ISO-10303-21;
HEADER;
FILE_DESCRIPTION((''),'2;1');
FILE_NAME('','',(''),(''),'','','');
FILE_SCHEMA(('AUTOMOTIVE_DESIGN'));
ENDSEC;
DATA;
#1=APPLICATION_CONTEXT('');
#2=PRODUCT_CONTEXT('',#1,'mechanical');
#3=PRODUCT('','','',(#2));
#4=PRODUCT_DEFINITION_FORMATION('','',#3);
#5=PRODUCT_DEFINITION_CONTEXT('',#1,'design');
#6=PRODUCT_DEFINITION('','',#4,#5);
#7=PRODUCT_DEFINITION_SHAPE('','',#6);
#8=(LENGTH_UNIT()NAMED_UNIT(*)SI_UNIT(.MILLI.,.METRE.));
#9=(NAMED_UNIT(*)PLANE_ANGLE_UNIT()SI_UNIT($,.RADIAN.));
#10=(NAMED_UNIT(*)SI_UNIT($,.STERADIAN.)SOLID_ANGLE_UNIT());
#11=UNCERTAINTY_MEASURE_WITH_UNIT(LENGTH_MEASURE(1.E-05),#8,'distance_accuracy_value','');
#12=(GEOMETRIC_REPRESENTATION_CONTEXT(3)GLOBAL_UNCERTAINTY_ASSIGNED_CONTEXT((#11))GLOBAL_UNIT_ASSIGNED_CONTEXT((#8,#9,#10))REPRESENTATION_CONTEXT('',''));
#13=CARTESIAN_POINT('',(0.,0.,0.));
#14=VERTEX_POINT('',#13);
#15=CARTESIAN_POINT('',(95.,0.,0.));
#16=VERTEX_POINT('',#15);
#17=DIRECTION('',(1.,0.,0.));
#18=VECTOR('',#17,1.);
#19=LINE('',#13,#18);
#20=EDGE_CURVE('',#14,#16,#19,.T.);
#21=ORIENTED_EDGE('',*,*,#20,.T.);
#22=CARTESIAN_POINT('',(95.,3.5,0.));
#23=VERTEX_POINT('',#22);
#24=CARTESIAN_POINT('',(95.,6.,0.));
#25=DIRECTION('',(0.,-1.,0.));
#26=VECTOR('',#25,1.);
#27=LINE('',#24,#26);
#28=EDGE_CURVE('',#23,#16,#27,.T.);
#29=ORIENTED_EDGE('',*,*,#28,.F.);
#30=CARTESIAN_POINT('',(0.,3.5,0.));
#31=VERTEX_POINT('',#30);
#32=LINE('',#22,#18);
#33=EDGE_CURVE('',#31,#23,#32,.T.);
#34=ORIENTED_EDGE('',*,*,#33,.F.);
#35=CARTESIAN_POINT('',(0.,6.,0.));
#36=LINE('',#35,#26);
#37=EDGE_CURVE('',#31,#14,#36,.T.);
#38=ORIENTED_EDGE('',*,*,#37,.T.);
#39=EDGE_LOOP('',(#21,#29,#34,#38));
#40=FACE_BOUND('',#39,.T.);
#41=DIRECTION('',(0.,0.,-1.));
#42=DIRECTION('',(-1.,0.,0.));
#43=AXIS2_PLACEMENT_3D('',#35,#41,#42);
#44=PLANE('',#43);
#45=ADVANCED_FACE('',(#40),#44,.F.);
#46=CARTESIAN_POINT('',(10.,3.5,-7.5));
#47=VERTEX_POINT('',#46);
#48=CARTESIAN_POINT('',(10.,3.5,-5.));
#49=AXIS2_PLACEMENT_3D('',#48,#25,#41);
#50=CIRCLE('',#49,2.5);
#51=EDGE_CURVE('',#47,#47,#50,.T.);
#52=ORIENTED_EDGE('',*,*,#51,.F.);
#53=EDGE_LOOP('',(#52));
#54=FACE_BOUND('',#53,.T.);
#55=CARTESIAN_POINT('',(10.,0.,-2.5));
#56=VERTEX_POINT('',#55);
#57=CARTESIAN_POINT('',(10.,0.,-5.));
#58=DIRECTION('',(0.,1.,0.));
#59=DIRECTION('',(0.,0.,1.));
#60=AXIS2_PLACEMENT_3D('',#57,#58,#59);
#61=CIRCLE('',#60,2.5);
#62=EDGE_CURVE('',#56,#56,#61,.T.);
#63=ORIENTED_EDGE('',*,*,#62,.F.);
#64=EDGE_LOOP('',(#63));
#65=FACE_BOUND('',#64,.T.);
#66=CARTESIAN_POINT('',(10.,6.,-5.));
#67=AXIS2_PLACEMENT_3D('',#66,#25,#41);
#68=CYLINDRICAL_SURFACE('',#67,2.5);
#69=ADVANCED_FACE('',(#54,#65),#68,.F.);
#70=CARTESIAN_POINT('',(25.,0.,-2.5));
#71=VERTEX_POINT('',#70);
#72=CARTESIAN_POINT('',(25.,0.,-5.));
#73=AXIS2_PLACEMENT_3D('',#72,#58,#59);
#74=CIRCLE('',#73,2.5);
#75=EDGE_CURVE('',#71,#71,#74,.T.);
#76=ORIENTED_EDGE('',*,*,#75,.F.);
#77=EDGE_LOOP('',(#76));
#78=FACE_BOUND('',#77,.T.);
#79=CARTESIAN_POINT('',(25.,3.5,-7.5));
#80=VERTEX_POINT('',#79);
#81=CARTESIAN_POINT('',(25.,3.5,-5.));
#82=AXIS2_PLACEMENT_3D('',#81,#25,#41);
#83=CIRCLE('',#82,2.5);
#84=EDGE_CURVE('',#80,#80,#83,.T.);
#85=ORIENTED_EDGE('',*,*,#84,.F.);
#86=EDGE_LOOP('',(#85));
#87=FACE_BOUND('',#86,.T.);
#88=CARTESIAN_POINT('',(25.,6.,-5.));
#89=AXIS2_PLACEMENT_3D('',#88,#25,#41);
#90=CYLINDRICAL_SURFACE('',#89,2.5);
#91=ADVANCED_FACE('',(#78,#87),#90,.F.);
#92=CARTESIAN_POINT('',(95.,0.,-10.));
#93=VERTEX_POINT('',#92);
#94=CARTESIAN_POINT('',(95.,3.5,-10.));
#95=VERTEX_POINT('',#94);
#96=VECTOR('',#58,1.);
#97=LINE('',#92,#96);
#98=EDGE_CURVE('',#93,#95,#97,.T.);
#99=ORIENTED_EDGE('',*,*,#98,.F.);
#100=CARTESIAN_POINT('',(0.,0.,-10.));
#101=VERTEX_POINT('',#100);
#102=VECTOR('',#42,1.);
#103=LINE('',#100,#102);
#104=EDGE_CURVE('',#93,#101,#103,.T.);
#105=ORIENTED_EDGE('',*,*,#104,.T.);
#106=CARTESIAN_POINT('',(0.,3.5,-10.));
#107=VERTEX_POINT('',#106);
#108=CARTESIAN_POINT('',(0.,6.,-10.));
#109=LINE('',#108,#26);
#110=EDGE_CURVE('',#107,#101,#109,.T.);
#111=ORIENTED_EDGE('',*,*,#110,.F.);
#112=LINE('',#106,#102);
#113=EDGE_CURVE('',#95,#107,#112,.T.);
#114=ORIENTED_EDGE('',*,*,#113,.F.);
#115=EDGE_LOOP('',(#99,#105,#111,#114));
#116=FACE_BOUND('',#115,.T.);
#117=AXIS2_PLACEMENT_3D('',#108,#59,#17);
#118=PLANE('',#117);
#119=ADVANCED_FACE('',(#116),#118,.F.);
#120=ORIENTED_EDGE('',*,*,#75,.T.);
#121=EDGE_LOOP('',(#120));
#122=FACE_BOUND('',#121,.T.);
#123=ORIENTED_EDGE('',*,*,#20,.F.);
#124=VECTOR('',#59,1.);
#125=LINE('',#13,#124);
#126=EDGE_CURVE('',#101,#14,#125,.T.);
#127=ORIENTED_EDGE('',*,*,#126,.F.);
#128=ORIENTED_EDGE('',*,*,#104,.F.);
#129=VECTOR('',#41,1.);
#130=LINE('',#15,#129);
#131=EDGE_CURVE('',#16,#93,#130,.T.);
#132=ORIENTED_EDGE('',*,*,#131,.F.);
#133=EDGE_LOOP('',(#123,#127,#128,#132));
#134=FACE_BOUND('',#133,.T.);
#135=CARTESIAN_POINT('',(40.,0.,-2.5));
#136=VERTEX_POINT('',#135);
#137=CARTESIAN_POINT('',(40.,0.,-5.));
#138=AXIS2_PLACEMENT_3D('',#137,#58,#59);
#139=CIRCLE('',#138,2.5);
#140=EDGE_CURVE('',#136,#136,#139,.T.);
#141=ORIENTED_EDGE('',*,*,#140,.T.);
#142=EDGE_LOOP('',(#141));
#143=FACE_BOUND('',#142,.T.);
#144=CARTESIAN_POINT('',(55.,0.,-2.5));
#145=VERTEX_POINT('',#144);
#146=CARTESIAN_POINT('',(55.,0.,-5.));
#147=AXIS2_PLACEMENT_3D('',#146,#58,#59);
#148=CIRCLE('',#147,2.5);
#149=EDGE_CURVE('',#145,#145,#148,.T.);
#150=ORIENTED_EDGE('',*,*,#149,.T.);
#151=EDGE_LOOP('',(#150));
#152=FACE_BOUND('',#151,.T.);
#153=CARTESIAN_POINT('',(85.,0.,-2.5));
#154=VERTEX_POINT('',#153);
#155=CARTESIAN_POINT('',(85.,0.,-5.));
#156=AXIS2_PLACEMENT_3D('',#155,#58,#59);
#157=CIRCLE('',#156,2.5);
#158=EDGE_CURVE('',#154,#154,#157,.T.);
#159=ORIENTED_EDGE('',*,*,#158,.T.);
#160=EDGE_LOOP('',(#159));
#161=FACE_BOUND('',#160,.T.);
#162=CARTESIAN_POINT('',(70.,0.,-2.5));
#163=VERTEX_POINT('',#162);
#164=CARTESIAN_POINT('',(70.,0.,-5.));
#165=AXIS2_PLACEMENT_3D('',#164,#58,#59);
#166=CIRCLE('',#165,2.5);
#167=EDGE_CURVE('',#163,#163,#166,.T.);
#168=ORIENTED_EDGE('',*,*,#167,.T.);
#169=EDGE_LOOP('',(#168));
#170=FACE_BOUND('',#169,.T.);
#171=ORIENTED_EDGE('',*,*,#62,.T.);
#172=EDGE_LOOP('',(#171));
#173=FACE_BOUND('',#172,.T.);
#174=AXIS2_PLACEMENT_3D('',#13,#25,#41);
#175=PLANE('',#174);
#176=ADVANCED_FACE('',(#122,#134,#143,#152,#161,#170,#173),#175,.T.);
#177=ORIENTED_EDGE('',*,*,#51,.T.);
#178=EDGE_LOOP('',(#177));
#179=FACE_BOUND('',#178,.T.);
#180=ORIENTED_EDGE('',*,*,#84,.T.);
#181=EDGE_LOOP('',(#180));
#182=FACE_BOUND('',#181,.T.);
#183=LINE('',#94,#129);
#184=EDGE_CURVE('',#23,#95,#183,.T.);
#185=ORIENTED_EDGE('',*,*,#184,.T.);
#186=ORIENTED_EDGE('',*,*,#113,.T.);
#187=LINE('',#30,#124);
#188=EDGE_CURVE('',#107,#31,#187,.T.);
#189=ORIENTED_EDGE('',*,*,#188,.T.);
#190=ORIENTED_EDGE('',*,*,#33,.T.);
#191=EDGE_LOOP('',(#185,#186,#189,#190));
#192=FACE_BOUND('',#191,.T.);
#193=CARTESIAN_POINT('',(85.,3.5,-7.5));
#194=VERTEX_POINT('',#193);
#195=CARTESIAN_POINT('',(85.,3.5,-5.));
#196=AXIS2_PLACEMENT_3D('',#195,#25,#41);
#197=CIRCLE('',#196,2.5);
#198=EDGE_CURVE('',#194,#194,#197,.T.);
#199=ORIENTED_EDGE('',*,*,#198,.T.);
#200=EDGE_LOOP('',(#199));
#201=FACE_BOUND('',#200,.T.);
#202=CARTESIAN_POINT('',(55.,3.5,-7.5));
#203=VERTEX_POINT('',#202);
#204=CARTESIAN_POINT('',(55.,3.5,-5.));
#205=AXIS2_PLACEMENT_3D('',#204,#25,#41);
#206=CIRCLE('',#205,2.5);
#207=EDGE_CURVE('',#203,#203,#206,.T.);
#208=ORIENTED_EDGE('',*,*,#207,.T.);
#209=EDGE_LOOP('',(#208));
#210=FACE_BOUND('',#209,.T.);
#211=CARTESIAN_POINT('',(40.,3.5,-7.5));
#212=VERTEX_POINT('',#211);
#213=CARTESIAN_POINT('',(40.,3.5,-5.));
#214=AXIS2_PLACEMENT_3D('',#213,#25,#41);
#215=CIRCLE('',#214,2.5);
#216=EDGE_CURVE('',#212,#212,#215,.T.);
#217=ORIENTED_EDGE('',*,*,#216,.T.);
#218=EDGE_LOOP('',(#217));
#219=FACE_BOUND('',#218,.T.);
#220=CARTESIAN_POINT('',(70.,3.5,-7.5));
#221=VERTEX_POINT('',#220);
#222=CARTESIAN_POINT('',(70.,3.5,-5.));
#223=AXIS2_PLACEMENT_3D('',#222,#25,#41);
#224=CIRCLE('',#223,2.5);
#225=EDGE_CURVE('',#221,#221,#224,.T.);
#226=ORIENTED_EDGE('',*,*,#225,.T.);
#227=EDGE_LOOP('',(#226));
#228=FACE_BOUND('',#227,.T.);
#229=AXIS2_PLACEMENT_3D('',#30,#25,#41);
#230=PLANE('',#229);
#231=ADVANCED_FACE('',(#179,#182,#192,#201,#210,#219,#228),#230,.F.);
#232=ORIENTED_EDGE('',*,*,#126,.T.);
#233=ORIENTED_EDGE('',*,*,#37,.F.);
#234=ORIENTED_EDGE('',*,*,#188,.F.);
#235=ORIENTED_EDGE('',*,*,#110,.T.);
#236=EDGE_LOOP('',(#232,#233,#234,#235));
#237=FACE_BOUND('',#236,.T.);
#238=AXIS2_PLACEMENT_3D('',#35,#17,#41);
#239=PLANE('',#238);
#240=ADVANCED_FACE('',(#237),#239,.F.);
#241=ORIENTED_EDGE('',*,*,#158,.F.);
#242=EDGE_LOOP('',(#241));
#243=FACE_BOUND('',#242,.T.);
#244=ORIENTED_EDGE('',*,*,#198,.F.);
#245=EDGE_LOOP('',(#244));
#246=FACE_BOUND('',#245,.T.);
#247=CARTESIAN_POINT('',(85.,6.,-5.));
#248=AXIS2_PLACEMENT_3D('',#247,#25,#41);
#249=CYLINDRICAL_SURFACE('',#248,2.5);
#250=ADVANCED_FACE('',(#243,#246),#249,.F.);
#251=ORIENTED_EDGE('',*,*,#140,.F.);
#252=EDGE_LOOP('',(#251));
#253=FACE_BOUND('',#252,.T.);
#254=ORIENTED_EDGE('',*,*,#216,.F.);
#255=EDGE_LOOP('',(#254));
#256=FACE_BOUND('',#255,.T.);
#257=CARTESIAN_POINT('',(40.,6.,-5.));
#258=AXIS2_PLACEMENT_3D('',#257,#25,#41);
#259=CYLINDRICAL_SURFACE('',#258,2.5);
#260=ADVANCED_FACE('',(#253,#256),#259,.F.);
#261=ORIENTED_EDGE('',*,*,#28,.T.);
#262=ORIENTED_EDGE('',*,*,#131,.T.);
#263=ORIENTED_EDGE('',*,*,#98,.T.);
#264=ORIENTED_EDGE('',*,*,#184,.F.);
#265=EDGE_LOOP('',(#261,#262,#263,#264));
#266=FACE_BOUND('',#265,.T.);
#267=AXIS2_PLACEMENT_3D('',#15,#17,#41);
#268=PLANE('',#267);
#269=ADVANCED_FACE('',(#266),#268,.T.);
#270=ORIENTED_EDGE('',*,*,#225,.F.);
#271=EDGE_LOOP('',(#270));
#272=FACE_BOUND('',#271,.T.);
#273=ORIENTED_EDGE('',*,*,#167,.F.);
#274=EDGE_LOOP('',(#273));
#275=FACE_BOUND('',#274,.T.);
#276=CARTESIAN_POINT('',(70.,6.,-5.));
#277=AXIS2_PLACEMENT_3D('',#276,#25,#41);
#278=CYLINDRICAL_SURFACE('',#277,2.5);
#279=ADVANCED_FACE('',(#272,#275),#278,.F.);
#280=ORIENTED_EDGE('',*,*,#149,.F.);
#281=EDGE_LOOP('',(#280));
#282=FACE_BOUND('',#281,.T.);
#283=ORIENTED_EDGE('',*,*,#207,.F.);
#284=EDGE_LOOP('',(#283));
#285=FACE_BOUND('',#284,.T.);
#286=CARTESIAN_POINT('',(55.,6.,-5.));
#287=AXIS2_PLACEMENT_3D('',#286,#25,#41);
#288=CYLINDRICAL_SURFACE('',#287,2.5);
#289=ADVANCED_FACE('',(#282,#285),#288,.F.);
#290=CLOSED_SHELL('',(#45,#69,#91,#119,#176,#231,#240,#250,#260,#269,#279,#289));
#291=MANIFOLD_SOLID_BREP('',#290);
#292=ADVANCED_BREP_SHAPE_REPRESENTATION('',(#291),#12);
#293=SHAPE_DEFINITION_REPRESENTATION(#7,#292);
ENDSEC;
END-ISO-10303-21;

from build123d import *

# Parameters (mm, degrees)
SKETCH1_W           = 150
SKETCH1_H           = 10
SKETCH1_R           = 2.5
BOSS_EXTRUDE1_DEPTH = 6
SKETCH2_W           = 10
SKETCH2_H           = 6
CUT_EXTRUDE1_DEPTH  = 55
SKETCH3_W           = 95
SKETCH3_H           = 10
CUT_EXTRUDE2_DEPTH  = 2.5


with BuildPart() as part:
    # Sketch1 → Boss-Extrude1 (new body)
    with BuildSketch(Plane(origin=(0, 0, 0), x_dir=(1, 0, 0), z_dir=(0, 1, 0))):
        with Locations((75, 5)):
            Rectangle(SKETCH1_W, SKETCH1_H)
        with Locations(Location((145, 5, 0), (0, 0, 270))):
            Circle(SKETCH1_R, mode=Mode.SUBTRACT)
        with Locations(Location((130, 5, 0), (0, 0, 270))):
            Circle(SKETCH1_R, mode=Mode.SUBTRACT)
        with Locations(Location((115, 5, 0), (0, 0, 270))):
            Circle(SKETCH1_R, mode=Mode.SUBTRACT)
        with Locations(Location((100, 5, 0), (0, 0, 270))):
            Circle(SKETCH1_R, mode=Mode.SUBTRACT)
        with Locations(Location((85, 5, 0), (0, 0, 270))):
            Circle(SKETCH1_R, mode=Mode.SUBTRACT)
        with Locations(Location((70, 5, 0), (0, 0, 270))):
            Circle(SKETCH1_R, mode=Mode.SUBTRACT)
        with Locations(Location((55, 5, 0), (0, 0, 270))):
            Circle(SKETCH1_R, mode=Mode.SUBTRACT)
        with Locations(Location((40, 5, 0), (0, 0, 270))):
            Circle(SKETCH1_R, mode=Mode.SUBTRACT)
        with Locations(Location((25, 5, 0), (0, 0, 270))):
            Circle(SKETCH1_R, mode=Mode.SUBTRACT)
        with Locations(Location((10, 5, 0), (0, 0, 270))):
            Circle(SKETCH1_R, mode=Mode.SUBTRACT)
    extrude(amount=BOSS_EXTRUDE1_DEPTH)

    # Sketch2 → Cut-Extrude1 (cut)
    with BuildSketch(Plane(origin=(150, 0, 0), x_dir=(0, 0, -1), z_dir=(1, 0, 0))):
        with Locations((5, 3)):
            Rectangle(SKETCH2_W, SKETCH2_H)
    extrude(amount=-CUT_EXTRUDE1_DEPTH, mode=Mode.SUBTRACT)

    # Sketch3 → Cut-Extrude2 (cut)
    with BuildSketch(Plane(origin=(0, 6, 0), x_dir=(1, 0, 0), z_dir=(0, 1, 0))):
        with Locations((47.5, 5)):
            Rectangle(SKETCH3_W, SKETCH3_H)
    extrude(amount=-CUT_EXTRUDE2_DEPTH, mode=Mode.SUBTRACT)


solid = part.part
